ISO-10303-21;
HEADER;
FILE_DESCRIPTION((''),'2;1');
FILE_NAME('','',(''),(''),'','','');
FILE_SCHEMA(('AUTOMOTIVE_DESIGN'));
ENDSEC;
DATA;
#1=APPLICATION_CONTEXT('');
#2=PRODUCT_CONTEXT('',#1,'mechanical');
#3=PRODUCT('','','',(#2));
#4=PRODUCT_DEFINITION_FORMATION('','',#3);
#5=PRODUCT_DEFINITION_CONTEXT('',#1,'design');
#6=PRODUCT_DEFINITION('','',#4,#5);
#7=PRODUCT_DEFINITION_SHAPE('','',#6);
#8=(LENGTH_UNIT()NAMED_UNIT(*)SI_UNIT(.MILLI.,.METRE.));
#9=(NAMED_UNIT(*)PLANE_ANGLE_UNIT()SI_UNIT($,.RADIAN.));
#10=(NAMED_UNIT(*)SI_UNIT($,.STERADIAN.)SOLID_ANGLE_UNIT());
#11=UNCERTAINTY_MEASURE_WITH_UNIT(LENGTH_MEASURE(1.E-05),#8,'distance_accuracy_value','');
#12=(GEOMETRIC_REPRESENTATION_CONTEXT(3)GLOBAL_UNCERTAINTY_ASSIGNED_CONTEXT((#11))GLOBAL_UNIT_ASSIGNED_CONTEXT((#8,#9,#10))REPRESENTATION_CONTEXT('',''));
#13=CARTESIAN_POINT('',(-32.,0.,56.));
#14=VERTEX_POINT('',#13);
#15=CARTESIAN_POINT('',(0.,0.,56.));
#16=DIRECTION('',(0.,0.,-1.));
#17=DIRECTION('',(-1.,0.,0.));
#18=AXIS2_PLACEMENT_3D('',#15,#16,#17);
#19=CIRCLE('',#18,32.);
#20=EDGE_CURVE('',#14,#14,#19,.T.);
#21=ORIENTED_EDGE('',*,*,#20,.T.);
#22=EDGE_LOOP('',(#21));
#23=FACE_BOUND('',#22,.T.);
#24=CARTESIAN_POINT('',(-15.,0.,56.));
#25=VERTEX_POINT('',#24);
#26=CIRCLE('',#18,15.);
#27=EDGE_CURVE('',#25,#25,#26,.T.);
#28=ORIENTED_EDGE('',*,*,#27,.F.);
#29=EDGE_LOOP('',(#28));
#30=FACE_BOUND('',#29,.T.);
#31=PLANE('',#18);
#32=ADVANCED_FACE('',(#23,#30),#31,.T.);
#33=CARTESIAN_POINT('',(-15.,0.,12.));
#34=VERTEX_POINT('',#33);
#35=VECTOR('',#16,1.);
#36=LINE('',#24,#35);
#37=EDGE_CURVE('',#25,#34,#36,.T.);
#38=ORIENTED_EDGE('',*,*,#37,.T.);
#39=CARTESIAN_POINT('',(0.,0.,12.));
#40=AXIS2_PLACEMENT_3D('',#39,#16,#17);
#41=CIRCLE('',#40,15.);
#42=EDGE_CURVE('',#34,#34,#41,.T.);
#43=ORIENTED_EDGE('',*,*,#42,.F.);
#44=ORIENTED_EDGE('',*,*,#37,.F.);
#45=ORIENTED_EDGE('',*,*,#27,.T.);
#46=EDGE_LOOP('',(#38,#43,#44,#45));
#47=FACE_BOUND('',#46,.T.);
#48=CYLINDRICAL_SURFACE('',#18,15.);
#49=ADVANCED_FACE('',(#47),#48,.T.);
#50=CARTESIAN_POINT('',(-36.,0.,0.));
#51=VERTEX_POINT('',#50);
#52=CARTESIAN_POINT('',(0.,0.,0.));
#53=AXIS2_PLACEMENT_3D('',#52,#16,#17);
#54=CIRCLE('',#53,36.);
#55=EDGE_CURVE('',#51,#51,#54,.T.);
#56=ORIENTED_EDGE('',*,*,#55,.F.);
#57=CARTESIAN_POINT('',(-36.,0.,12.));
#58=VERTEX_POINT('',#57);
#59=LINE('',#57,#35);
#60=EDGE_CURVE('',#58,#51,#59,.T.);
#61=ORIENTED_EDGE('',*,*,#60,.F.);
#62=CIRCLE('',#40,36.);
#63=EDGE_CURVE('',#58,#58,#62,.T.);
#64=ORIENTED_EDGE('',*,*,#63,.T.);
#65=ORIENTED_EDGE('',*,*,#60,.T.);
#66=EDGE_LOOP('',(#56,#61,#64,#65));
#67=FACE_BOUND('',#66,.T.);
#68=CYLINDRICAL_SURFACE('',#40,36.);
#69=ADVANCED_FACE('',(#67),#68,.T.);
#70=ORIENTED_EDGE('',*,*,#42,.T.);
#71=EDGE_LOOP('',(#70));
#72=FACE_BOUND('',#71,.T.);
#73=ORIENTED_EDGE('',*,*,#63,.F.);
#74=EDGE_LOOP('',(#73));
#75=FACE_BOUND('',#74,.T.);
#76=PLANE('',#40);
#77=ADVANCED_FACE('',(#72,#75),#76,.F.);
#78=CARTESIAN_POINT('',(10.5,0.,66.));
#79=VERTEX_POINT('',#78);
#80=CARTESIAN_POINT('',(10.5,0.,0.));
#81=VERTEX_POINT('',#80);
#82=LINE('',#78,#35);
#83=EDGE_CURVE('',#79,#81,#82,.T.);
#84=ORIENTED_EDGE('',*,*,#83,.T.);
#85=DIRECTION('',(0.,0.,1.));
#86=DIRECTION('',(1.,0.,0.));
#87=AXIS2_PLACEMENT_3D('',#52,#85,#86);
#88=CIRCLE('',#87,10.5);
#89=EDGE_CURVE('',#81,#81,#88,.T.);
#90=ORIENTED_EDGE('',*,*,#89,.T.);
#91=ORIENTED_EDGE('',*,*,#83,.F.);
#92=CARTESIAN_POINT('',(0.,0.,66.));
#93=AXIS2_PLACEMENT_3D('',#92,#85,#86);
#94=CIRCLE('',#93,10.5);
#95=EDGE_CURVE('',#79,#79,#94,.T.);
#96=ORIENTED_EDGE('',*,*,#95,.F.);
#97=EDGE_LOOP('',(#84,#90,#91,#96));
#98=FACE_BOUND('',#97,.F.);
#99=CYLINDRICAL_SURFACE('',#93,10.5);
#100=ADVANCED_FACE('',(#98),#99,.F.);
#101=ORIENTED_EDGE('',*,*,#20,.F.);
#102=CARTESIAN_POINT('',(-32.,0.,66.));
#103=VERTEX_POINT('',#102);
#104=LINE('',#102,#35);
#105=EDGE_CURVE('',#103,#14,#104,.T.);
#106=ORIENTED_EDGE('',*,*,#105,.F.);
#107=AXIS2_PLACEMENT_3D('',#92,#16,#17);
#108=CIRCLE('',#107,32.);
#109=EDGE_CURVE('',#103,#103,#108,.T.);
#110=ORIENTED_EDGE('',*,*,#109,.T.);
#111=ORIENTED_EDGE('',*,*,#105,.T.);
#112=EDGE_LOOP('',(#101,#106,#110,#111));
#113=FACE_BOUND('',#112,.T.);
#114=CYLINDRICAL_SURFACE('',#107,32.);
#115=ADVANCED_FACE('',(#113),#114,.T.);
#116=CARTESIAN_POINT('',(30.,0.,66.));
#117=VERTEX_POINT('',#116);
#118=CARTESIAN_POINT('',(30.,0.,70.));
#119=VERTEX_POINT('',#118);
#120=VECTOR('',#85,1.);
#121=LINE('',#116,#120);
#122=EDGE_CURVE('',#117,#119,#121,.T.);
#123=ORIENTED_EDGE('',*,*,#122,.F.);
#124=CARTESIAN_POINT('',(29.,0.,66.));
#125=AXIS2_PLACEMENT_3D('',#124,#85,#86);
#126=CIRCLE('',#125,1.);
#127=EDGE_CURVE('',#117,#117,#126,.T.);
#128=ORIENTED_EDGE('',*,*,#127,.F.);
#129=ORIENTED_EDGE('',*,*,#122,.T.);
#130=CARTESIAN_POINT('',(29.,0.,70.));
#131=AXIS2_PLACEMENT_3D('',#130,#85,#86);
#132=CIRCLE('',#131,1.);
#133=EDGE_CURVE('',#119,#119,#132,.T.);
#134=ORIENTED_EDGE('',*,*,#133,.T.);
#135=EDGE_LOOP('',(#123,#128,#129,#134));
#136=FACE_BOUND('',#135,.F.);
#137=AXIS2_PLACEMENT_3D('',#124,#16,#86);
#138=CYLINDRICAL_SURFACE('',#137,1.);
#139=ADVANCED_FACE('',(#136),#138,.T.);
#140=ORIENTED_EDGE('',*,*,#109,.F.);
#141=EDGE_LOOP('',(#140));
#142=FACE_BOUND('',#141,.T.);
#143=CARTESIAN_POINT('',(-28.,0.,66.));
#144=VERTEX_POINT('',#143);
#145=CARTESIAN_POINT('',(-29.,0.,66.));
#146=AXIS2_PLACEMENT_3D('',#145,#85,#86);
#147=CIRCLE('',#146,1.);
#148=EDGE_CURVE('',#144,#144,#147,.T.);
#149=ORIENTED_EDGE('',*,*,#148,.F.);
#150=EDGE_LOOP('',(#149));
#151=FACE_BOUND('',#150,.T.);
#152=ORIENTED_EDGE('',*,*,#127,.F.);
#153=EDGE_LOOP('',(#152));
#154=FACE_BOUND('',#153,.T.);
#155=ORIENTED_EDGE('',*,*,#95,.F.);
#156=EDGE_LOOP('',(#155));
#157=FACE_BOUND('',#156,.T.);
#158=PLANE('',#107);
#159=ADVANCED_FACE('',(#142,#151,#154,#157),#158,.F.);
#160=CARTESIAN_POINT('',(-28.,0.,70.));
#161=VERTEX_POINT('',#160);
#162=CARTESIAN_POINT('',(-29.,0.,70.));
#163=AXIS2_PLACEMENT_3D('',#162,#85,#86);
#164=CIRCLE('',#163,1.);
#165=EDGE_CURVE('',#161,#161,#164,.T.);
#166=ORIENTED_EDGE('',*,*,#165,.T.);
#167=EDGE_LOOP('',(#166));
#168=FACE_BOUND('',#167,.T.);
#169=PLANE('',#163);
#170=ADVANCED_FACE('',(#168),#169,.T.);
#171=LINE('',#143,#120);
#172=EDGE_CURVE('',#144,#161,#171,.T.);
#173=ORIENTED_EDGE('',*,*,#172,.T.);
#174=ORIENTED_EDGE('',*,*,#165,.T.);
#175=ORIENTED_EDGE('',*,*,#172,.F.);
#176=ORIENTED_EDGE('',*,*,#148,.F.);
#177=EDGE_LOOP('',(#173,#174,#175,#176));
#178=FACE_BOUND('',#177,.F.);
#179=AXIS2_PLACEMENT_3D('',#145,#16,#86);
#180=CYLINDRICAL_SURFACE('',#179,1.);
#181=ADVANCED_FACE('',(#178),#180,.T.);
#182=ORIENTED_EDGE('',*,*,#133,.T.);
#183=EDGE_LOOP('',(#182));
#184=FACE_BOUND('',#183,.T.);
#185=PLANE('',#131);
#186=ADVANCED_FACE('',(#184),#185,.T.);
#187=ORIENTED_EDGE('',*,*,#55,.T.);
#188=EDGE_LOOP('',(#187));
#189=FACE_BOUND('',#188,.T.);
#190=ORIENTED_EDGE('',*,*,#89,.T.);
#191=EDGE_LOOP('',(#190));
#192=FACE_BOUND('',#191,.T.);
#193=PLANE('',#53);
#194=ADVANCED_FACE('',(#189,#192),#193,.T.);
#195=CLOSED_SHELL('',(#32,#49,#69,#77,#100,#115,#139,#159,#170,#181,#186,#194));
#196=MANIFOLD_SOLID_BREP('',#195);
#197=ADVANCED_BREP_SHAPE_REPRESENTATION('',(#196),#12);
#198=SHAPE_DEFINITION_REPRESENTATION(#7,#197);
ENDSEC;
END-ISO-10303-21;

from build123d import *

# Parameters (mm, degrees)
F2_R     = 10.5
F3_DEPTH = 66.001
F4_R     = 1
F5_DEPTH = 4


with BuildPart() as f1:
    # F0 (on Front) → F1 (revolve)
    with BuildSketch(Plane.XZ):
        Polygon((-36, 0), (0, 0), (0, 66), (-32, 66), (-32, 56), (-15, 56), (-15, 12), (-36, 12), align=None)
    revolve(axis=Axis((0, 0, 33), (0, 0, -1)))

    # F2 (on face) → F3 (cut, through all)
    with BuildSketch(Plane.XY.offset(66)):
        Circle(F2_R)
    extrude(amount=-F3_DEPTH, mode=Mode.SUBTRACT)

    # F4 (on face) → F5 (join)
    with BuildSketch(Plane.XY.offset(66)):
        with Locations((-29, 0)):
            Circle(F4_R)
        with Locations((29, 0)):
            Circle(F4_R)
    extrude(amount=F5_DEPTH)


solid = f1.part
